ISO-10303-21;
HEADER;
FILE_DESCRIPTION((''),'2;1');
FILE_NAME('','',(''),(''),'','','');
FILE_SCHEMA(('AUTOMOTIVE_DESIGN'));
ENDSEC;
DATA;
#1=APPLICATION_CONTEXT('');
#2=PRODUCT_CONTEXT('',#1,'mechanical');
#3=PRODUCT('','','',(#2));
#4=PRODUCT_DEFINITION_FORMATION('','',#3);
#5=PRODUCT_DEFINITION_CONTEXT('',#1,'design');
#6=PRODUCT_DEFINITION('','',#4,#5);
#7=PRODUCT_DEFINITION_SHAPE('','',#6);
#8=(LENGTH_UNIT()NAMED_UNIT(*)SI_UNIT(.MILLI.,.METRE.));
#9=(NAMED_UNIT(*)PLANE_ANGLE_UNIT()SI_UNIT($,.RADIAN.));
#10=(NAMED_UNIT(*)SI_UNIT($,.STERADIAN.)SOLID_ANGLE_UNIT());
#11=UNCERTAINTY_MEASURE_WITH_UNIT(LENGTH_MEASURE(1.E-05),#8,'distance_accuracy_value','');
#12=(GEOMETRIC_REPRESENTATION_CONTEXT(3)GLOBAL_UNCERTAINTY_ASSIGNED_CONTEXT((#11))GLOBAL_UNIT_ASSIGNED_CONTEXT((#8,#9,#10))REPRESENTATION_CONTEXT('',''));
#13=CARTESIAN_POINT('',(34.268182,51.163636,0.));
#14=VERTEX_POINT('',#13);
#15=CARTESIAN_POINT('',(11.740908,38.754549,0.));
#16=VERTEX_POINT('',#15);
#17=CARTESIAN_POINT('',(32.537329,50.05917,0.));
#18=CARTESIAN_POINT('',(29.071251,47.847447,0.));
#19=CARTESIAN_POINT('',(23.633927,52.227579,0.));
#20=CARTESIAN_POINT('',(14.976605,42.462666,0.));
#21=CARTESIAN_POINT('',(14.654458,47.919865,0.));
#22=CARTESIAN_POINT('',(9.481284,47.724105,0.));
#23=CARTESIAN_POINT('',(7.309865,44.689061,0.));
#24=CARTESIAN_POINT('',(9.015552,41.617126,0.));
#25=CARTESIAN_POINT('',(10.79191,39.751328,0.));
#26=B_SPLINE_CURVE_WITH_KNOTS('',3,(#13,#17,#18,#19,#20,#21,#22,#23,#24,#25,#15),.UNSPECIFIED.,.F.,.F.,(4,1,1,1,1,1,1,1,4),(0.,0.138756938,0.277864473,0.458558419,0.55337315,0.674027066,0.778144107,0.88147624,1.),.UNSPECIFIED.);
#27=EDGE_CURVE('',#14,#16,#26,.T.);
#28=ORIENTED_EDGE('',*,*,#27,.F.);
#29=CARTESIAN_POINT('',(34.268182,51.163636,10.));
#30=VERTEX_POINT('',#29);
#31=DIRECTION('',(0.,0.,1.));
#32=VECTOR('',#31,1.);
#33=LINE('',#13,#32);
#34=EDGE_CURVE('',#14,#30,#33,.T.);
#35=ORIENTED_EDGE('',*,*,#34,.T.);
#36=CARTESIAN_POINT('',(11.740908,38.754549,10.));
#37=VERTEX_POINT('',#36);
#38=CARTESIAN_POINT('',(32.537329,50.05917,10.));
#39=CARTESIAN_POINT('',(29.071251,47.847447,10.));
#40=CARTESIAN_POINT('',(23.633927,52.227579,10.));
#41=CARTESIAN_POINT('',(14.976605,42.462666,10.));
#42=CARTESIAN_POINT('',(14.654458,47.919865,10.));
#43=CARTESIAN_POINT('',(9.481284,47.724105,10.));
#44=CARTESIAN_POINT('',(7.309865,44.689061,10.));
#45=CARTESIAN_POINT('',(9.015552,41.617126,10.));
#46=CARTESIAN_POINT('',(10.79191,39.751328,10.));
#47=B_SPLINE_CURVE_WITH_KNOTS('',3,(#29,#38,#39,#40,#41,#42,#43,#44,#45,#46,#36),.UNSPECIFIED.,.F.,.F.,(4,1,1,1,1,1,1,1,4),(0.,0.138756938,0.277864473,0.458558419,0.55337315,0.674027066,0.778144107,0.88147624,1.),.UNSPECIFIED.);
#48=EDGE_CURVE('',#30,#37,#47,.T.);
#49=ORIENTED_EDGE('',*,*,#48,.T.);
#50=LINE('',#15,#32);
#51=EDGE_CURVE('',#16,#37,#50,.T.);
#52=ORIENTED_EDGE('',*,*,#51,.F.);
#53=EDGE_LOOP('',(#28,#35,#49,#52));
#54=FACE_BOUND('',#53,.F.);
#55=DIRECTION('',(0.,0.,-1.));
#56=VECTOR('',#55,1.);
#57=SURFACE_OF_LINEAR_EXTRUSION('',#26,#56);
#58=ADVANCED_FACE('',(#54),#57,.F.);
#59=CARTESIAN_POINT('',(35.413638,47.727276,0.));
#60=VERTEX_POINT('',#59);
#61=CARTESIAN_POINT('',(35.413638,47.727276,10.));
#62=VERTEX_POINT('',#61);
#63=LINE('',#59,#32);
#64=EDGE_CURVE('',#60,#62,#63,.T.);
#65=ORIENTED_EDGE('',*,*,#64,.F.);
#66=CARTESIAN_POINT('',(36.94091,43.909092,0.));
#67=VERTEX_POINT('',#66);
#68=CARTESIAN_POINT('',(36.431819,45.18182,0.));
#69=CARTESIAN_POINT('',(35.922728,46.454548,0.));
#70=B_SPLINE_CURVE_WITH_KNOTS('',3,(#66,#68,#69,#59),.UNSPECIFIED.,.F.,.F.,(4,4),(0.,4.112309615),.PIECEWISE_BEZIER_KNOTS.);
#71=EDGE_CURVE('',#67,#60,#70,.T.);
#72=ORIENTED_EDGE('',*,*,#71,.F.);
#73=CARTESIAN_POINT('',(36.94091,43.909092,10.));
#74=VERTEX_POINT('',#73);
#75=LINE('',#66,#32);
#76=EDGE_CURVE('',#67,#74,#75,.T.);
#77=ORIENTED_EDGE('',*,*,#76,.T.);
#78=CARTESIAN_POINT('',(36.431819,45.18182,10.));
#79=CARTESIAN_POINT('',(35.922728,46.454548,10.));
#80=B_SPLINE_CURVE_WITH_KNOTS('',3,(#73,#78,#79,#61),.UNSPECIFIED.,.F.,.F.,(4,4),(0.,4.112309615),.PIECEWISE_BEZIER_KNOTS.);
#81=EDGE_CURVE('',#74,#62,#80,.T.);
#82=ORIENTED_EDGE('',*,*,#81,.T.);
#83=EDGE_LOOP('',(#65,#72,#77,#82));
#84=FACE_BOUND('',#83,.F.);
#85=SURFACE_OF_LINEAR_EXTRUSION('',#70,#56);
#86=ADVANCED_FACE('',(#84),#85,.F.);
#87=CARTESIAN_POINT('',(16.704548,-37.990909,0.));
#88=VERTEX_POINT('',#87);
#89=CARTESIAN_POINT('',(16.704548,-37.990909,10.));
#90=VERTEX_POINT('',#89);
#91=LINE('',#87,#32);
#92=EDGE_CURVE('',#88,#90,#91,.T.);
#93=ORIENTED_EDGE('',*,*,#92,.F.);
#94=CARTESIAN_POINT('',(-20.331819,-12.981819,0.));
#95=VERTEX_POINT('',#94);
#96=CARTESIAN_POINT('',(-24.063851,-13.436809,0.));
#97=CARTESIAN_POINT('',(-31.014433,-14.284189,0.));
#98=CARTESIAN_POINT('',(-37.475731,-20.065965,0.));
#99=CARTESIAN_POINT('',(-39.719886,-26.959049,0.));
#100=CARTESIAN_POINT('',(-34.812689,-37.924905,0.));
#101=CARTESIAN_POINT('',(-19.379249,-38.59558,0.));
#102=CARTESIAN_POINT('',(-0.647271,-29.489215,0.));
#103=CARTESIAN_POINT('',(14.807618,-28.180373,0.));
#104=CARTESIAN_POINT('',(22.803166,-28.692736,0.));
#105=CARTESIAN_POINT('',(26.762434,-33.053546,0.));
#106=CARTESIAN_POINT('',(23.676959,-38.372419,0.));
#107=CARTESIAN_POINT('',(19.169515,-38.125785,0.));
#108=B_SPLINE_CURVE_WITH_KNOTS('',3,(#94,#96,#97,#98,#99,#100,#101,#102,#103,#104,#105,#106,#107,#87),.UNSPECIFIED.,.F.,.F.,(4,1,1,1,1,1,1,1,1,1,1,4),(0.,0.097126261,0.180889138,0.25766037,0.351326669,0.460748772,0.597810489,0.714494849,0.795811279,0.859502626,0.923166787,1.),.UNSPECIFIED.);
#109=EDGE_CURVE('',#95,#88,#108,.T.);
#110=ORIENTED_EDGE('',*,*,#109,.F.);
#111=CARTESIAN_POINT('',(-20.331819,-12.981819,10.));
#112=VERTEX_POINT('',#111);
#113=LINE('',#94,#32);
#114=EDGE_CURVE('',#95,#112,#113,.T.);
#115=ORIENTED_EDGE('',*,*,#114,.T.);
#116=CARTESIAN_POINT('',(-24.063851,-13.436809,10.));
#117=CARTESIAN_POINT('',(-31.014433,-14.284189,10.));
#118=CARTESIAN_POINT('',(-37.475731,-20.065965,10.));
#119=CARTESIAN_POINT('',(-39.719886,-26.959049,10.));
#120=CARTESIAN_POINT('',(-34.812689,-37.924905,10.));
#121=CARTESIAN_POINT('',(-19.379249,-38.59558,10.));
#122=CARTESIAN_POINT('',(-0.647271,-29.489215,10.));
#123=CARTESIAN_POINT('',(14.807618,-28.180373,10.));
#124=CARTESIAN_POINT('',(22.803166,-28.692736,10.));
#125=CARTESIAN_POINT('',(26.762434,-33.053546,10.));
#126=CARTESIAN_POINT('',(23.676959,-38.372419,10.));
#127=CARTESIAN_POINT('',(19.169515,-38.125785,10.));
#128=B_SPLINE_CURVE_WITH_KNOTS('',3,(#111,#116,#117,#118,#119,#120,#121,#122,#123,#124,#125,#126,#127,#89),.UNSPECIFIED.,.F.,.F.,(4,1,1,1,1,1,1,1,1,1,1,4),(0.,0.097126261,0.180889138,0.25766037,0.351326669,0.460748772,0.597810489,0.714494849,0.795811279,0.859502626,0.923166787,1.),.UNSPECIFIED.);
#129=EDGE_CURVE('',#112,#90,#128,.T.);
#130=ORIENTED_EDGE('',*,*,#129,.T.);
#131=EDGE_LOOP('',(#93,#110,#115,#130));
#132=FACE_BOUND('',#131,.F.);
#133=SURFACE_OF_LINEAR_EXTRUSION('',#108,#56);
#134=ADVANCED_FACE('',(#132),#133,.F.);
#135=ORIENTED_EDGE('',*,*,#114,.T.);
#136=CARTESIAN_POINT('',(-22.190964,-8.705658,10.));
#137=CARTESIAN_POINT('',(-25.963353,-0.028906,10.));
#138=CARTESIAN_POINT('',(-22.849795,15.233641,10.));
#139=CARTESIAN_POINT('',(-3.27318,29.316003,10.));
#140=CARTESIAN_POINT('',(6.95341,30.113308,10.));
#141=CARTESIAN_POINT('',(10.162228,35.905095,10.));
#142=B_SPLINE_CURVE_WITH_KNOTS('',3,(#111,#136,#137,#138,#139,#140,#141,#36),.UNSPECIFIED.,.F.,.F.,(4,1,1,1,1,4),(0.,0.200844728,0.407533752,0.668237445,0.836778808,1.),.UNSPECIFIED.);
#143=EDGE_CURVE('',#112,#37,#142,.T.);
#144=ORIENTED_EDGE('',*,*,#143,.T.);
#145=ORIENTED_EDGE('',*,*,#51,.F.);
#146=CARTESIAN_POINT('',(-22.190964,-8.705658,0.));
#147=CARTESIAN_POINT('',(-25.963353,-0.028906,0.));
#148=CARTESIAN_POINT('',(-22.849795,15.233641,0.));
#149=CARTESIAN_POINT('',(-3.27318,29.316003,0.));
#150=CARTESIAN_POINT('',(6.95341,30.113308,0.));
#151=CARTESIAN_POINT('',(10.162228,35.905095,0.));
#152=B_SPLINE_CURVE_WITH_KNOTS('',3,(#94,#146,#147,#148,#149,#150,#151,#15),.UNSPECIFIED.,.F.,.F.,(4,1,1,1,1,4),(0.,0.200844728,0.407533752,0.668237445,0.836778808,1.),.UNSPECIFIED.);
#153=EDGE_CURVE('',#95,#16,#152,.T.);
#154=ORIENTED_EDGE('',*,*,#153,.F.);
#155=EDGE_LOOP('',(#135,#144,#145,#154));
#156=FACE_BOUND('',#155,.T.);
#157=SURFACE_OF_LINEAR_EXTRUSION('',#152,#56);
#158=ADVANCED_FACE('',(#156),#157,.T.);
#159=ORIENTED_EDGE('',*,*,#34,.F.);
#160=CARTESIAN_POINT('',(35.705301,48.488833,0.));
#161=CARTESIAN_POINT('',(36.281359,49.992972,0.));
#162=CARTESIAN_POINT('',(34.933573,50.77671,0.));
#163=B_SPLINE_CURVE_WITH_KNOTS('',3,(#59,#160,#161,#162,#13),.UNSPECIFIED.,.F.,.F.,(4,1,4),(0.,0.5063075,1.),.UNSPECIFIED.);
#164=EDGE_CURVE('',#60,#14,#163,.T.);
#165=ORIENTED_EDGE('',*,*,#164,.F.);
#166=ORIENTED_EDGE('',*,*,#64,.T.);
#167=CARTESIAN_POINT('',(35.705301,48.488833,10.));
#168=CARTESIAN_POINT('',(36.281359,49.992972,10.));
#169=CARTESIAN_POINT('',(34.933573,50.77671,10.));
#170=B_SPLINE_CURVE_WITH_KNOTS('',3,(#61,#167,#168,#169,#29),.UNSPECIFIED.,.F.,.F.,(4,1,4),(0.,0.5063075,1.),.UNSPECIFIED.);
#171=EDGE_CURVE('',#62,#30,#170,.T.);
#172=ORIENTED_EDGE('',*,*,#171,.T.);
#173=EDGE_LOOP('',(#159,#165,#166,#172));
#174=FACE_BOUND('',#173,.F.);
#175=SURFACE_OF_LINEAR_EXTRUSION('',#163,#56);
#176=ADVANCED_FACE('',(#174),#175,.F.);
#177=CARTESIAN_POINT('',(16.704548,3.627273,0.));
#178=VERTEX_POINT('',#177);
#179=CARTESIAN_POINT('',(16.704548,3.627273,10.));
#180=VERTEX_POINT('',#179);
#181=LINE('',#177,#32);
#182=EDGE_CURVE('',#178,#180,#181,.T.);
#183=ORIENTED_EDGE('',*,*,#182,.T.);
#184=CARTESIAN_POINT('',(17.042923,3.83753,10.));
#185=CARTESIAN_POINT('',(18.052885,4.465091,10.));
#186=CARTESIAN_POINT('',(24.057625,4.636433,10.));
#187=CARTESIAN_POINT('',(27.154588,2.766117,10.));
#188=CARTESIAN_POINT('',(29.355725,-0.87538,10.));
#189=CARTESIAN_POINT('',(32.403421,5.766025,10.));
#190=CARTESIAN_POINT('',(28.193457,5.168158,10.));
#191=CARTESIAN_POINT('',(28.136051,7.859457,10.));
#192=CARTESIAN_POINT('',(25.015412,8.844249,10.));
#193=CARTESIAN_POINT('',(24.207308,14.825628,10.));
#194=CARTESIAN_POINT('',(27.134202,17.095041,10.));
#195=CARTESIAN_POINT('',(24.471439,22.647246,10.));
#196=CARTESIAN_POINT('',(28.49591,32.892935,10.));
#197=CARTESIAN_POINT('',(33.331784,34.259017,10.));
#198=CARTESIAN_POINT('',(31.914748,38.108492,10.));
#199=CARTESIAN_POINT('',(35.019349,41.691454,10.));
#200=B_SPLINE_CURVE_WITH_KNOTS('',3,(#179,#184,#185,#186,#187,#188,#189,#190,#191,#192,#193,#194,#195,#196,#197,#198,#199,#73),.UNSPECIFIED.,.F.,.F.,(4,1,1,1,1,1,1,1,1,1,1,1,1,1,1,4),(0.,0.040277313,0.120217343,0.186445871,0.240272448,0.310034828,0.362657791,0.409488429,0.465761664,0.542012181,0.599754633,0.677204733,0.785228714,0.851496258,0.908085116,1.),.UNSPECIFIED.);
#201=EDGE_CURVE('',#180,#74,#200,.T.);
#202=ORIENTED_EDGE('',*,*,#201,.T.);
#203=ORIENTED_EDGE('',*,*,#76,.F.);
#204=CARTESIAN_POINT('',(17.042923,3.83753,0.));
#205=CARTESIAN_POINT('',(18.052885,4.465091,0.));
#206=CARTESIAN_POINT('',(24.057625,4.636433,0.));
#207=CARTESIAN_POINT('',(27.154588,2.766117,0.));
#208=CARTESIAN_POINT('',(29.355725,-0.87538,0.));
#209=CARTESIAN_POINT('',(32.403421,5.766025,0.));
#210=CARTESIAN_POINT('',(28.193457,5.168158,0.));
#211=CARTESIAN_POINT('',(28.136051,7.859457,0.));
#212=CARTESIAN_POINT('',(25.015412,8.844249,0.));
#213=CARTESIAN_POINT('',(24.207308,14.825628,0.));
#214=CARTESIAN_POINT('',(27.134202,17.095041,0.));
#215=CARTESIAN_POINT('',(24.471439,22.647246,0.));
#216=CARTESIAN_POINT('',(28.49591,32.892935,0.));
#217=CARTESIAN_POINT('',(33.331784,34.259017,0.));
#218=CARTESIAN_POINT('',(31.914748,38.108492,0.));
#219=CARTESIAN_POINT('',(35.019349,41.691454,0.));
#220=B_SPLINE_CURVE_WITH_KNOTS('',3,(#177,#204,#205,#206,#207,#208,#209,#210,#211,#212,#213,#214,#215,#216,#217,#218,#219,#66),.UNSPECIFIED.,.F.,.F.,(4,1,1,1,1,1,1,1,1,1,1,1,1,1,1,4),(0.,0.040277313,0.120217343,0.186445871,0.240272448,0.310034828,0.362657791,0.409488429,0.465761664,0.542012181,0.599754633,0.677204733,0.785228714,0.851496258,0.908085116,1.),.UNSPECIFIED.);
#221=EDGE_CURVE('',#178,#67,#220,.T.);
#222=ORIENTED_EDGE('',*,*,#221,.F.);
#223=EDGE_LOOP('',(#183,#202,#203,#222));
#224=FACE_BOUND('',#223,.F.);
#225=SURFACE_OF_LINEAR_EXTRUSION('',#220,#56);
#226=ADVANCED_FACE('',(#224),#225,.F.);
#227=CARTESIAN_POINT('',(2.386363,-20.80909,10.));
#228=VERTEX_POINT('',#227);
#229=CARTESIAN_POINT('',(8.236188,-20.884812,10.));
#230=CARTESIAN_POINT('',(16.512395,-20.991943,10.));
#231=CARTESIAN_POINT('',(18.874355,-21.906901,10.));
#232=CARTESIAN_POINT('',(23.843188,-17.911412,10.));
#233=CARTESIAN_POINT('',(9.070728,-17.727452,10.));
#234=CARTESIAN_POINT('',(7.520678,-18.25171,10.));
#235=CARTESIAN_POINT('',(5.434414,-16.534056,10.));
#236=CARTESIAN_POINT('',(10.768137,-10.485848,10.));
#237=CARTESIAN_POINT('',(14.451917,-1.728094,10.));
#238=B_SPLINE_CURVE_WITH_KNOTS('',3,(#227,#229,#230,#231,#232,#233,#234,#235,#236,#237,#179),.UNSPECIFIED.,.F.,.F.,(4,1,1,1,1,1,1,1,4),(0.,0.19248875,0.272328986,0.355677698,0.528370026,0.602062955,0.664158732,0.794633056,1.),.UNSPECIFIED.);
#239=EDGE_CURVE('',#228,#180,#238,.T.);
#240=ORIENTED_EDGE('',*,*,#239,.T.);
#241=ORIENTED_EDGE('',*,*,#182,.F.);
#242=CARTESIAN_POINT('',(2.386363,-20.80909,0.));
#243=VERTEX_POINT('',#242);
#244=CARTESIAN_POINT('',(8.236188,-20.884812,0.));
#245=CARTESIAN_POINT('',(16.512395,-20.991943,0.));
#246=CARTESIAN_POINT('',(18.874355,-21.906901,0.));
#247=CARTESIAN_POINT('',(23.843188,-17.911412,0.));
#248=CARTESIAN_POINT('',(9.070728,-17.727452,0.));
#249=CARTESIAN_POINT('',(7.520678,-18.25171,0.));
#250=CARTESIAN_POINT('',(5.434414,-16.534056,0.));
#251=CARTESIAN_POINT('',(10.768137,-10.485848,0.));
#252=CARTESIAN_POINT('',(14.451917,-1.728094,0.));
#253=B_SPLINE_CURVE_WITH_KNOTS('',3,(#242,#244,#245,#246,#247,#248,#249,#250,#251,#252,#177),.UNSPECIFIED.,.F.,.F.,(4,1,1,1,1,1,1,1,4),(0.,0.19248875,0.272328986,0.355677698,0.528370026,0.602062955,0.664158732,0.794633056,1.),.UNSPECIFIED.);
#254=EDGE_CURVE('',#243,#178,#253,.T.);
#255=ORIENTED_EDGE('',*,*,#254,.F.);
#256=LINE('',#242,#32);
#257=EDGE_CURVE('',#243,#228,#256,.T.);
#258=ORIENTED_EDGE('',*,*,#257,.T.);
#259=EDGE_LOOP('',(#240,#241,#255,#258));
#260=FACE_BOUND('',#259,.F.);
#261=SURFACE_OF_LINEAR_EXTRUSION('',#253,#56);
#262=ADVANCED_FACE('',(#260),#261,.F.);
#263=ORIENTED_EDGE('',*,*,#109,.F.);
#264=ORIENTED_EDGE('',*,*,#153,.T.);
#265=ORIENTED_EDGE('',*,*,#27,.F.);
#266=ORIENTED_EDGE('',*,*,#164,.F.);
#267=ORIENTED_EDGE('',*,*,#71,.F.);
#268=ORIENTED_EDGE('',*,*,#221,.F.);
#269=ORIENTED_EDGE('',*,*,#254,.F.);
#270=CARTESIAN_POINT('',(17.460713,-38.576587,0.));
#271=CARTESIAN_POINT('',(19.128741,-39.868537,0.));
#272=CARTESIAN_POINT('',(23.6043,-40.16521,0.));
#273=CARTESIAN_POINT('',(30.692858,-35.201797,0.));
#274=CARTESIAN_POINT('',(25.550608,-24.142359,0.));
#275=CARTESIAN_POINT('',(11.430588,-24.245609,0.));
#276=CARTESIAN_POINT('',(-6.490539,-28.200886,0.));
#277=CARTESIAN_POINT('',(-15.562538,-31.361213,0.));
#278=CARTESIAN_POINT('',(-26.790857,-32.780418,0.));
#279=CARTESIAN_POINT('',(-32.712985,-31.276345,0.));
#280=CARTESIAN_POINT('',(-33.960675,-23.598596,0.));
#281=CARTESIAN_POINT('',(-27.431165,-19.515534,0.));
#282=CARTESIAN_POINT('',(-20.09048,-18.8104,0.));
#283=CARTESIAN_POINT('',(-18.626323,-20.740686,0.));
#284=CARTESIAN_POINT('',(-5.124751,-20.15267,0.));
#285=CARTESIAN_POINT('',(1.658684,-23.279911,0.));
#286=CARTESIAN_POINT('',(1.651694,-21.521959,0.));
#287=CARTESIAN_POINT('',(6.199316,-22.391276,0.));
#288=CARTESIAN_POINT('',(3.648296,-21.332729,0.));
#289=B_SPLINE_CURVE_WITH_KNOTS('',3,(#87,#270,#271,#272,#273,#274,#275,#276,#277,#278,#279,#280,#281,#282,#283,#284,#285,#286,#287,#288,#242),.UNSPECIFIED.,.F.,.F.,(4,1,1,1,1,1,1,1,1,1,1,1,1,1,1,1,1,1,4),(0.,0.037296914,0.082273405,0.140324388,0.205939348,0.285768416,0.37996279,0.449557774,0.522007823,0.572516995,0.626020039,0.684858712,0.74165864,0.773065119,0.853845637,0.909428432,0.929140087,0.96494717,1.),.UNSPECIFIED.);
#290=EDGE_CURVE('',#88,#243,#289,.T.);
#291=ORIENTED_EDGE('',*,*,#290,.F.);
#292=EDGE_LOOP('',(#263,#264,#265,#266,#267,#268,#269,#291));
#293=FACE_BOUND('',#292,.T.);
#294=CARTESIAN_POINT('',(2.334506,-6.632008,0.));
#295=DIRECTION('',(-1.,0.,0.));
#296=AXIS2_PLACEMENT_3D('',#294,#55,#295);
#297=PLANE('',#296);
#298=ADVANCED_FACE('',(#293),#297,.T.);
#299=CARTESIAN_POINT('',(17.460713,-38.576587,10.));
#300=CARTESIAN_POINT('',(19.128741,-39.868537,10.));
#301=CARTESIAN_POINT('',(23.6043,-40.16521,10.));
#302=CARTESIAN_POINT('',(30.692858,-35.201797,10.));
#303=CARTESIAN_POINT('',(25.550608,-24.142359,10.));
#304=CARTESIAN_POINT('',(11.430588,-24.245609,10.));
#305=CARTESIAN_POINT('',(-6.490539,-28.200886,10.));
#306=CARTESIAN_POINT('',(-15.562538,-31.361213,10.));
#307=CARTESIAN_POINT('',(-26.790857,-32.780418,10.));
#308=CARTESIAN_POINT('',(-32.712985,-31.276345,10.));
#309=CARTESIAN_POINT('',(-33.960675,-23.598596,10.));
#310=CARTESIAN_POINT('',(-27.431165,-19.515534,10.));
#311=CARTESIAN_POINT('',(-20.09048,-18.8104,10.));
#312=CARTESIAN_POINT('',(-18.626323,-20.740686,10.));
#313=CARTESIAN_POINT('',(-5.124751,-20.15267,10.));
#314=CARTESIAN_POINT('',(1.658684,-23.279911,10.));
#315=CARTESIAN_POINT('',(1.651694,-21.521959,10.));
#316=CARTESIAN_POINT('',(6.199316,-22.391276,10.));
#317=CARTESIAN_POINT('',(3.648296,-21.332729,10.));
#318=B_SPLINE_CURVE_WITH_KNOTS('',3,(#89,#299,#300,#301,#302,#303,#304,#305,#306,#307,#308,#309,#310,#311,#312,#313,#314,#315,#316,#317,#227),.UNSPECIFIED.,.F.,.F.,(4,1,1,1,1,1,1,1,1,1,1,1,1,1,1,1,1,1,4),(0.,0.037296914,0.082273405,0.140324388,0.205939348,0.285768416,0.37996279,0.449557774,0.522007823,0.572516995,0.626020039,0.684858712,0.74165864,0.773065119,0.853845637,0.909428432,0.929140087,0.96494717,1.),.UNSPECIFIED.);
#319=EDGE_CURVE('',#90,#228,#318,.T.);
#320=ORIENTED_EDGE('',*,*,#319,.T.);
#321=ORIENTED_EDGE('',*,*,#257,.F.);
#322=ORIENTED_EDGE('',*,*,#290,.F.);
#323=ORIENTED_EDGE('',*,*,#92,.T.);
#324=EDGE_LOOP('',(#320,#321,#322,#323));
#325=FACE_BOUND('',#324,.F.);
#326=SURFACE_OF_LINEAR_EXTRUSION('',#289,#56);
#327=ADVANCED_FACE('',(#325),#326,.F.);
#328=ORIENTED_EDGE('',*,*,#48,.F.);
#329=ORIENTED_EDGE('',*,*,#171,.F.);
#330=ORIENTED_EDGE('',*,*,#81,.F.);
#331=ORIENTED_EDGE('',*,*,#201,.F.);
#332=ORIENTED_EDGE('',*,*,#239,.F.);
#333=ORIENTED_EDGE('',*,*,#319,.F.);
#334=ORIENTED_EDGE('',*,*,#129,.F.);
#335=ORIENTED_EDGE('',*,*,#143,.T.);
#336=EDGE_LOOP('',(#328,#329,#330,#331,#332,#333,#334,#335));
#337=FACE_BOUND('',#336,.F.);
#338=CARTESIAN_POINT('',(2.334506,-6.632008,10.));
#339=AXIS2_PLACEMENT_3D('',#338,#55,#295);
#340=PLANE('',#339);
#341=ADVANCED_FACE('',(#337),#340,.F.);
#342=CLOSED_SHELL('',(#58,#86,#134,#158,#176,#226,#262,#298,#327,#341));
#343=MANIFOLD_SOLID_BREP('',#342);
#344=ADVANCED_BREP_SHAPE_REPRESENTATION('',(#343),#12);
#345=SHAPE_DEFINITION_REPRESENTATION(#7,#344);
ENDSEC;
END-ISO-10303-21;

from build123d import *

# Parameters (mm, degrees)
F1_DEPTH = 10


with BuildPart() as f1:
    # F0 (on Top) → F1 (new body)
    with BuildSketch(Plane.XY):
        with BuildLine():
            add(Edge.make_bspline(
                [(-20.3318186104, -12.9818189889), (-22.1909640282, -8.7056579563), (-25.9633533516, -0.0289056861), (-22.8497945532, 15.2336411762), (-3.2731803426, 29.3160029547), (6.953409758, 30.1133082363), (10.1622275568, 35.9050945132), (11.7409080267, 38.7545488775)],
                knots=[0, 0, 0, 0, 0.2008447279, 0.4075337517, 0.6682374451, 0.836778808, 1, 1, 1, 1], degree=3))
            add(Edge.make_bspline(
                [(-20.3318186104, -12.9818189889), (-24.0638505453, -13.4368093666), (-31.0144325246, -14.284189018), (-37.4757307039, -20.0659648945), (-39.7198860643, -26.9590485213), (-34.8126886045, -37.924905119), (-19.3792489329, -38.5955802997), (-0.6472707453, -29.4892154363), (14.8076178453, -28.1803730284), (22.8031655582, -28.6927355998), (26.7624344385, -33.0535460744), (23.6769593327, -38.3724193898), (19.1695152745, -38.1257849932), (16.7045481503, -37.9909090698)],
                knots=[0, 0, 0, 0, 0.0971262611, 0.1808891382, 0.2576603702, 0.3513266689, 0.4607487723, 0.5978104893, 0.7144948488, 0.795811279, 0.8595026255, 0.9231667871, 1, 1, 1, 1], degree=3))
            add(Edge.make_bspline(
                [(16.7045481503, -37.9909090698), (17.4607134748, -38.5765872014), (19.1287414768, -39.8685368479), (23.6043003003, -40.1652100155), (30.6928582976, -35.2017967785), (25.5506075707, -24.1423593065), (11.4305879373, -24.2456092354), (-6.4905393996, -28.2008857323), (-15.5625379006, -31.3612133371), (-26.7908570377, -32.7804182729), (-32.7129847987, -31.2763453883), (-33.9606745945, -23.5985963331), (-27.431164567, -19.5155335702), (-20.0904796232, -18.810399515), (-18.6263232753, -20.7406863168), (-5.1247509046, -20.1526695919), (1.6586835846, -23.2799106452), (1.6516942964, -21.5219590397), (6.1993163008, -22.3912763292), (3.6482963288, -21.3327294647), (2.3863632232, -20.809089765)],
                knots=[0, 0, 0, 0, 0.0372969136, 0.0822734054, 0.1403243882, 0.2059393479, 0.2857684157, 0.3799627895, 0.4495577743, 0.522007823, 0.5725169952, 0.6260200392, 0.6848587121, 0.74165864, 0.7730651188, 0.8538456365, 0.909428432, 0.9291400873, 0.9649471699, 1, 1, 1, 1], degree=3))
            add(Edge.make_bspline(
                [(2.3863632232, -20.809089765), (8.2361878019, -20.8848123608), (16.5123951113, -20.9919430777), (18.8743549079, -21.9069007441), (23.8431878505, -17.9114116301), (9.070728277, -17.7274518319), (7.5206776392, -18.2517102424), (5.4344142323, -16.5340558641), (10.7681373209, -10.4858476734), (14.4519168645, -1.7280937367), (16.7045481503, 3.6272730213)],
                knots=[0, 0, 0, 0, 0.1924887496, 0.2723289862, 0.3556776975, 0.5283700264, 0.6020629551, 0.6641587317, 0.7946330558, 1, 1, 1, 1], degree=3))
            add(Edge.make_bspline(
                [(16.7045481503, 3.6272730213), (17.0429231103, 3.8375296541), (18.052884684, 4.4650912202), (24.0576252286, 4.6364333538), (27.1545876542, 2.7661166598), (29.355725123, -0.8753803122), (32.4034208573, 5.7660247579), (28.1934571589, 5.168157985), (28.1360510442, 7.8594568878), (25.015411802, 8.844249046), (24.2073076948, 14.8256278696), (27.1342023316, 17.0950411858), (24.4714389813, 22.6472463455), (28.4959102762, 32.8929351904), (33.3317835535, 34.2590169568), (31.9147484161, 38.1084922917), (35.0193489441, 41.6914538321), (36.9409099221, 43.9090915024)],
                knots=[0, 0, 0, 0, 0.0402773133, 0.1202173434, 0.1864458708, 0.2402724477, 0.3100348278, 0.3626577912, 0.4094884288, 0.465761664, 0.542012181, 0.5997546329, 0.6772047333, 0.7852287138, 0.8514962577, 0.9080851163, 1, 1, 1, 1], degree=3))
            add(Edge.make_bspline(
                [(36.9409099221, 43.9090915024), (36.4318192005, 45.1818195482), (35.9227284789, 46.454547594), (35.4136377573, 47.7272756398)],
                knots=[0, 0, 0, 0, 4.1123096153, 4.1123096153, 4.1123096153, 4.1123096153], degree=3))
            add(Edge.make_bspline(
                [(35.4136377573, 47.7272756398), (35.7053005817, 48.4888326882), (36.2813592506, 49.9929720671), (34.9335734919, 50.7767104074), (34.268181771, 51.163636148)],
                knots=[0, 0, 0, 0, 0.5063074999, 1, 1, 1, 1], degree=3))
            add(Edge.make_bspline(
                [(34.268181771, 51.163636148), (32.5373291874, 50.0591698487), (29.0712506858, 47.847446602), (23.6339266697, 52.2275785273), (14.9766052067, 42.4626655846), (14.6544580236, 47.9198649871), (9.4812835854, 47.7241046565), (7.3098650559, 44.6890608189), (9.0155516551, 41.6171259642), (10.7919103969, 39.7513281973), (11.7409080267, 38.7545488775)],
                knots=[0, 0, 0, 0, 0.1387569382, 0.2778644727, 0.4585584194, 0.5533731499, 0.674027066, 0.7781441072, 0.8814762404, 1, 1, 1, 1], degree=3))
        make_face()
    extrude(amount=F1_DEPTH)


solid = f1.part
